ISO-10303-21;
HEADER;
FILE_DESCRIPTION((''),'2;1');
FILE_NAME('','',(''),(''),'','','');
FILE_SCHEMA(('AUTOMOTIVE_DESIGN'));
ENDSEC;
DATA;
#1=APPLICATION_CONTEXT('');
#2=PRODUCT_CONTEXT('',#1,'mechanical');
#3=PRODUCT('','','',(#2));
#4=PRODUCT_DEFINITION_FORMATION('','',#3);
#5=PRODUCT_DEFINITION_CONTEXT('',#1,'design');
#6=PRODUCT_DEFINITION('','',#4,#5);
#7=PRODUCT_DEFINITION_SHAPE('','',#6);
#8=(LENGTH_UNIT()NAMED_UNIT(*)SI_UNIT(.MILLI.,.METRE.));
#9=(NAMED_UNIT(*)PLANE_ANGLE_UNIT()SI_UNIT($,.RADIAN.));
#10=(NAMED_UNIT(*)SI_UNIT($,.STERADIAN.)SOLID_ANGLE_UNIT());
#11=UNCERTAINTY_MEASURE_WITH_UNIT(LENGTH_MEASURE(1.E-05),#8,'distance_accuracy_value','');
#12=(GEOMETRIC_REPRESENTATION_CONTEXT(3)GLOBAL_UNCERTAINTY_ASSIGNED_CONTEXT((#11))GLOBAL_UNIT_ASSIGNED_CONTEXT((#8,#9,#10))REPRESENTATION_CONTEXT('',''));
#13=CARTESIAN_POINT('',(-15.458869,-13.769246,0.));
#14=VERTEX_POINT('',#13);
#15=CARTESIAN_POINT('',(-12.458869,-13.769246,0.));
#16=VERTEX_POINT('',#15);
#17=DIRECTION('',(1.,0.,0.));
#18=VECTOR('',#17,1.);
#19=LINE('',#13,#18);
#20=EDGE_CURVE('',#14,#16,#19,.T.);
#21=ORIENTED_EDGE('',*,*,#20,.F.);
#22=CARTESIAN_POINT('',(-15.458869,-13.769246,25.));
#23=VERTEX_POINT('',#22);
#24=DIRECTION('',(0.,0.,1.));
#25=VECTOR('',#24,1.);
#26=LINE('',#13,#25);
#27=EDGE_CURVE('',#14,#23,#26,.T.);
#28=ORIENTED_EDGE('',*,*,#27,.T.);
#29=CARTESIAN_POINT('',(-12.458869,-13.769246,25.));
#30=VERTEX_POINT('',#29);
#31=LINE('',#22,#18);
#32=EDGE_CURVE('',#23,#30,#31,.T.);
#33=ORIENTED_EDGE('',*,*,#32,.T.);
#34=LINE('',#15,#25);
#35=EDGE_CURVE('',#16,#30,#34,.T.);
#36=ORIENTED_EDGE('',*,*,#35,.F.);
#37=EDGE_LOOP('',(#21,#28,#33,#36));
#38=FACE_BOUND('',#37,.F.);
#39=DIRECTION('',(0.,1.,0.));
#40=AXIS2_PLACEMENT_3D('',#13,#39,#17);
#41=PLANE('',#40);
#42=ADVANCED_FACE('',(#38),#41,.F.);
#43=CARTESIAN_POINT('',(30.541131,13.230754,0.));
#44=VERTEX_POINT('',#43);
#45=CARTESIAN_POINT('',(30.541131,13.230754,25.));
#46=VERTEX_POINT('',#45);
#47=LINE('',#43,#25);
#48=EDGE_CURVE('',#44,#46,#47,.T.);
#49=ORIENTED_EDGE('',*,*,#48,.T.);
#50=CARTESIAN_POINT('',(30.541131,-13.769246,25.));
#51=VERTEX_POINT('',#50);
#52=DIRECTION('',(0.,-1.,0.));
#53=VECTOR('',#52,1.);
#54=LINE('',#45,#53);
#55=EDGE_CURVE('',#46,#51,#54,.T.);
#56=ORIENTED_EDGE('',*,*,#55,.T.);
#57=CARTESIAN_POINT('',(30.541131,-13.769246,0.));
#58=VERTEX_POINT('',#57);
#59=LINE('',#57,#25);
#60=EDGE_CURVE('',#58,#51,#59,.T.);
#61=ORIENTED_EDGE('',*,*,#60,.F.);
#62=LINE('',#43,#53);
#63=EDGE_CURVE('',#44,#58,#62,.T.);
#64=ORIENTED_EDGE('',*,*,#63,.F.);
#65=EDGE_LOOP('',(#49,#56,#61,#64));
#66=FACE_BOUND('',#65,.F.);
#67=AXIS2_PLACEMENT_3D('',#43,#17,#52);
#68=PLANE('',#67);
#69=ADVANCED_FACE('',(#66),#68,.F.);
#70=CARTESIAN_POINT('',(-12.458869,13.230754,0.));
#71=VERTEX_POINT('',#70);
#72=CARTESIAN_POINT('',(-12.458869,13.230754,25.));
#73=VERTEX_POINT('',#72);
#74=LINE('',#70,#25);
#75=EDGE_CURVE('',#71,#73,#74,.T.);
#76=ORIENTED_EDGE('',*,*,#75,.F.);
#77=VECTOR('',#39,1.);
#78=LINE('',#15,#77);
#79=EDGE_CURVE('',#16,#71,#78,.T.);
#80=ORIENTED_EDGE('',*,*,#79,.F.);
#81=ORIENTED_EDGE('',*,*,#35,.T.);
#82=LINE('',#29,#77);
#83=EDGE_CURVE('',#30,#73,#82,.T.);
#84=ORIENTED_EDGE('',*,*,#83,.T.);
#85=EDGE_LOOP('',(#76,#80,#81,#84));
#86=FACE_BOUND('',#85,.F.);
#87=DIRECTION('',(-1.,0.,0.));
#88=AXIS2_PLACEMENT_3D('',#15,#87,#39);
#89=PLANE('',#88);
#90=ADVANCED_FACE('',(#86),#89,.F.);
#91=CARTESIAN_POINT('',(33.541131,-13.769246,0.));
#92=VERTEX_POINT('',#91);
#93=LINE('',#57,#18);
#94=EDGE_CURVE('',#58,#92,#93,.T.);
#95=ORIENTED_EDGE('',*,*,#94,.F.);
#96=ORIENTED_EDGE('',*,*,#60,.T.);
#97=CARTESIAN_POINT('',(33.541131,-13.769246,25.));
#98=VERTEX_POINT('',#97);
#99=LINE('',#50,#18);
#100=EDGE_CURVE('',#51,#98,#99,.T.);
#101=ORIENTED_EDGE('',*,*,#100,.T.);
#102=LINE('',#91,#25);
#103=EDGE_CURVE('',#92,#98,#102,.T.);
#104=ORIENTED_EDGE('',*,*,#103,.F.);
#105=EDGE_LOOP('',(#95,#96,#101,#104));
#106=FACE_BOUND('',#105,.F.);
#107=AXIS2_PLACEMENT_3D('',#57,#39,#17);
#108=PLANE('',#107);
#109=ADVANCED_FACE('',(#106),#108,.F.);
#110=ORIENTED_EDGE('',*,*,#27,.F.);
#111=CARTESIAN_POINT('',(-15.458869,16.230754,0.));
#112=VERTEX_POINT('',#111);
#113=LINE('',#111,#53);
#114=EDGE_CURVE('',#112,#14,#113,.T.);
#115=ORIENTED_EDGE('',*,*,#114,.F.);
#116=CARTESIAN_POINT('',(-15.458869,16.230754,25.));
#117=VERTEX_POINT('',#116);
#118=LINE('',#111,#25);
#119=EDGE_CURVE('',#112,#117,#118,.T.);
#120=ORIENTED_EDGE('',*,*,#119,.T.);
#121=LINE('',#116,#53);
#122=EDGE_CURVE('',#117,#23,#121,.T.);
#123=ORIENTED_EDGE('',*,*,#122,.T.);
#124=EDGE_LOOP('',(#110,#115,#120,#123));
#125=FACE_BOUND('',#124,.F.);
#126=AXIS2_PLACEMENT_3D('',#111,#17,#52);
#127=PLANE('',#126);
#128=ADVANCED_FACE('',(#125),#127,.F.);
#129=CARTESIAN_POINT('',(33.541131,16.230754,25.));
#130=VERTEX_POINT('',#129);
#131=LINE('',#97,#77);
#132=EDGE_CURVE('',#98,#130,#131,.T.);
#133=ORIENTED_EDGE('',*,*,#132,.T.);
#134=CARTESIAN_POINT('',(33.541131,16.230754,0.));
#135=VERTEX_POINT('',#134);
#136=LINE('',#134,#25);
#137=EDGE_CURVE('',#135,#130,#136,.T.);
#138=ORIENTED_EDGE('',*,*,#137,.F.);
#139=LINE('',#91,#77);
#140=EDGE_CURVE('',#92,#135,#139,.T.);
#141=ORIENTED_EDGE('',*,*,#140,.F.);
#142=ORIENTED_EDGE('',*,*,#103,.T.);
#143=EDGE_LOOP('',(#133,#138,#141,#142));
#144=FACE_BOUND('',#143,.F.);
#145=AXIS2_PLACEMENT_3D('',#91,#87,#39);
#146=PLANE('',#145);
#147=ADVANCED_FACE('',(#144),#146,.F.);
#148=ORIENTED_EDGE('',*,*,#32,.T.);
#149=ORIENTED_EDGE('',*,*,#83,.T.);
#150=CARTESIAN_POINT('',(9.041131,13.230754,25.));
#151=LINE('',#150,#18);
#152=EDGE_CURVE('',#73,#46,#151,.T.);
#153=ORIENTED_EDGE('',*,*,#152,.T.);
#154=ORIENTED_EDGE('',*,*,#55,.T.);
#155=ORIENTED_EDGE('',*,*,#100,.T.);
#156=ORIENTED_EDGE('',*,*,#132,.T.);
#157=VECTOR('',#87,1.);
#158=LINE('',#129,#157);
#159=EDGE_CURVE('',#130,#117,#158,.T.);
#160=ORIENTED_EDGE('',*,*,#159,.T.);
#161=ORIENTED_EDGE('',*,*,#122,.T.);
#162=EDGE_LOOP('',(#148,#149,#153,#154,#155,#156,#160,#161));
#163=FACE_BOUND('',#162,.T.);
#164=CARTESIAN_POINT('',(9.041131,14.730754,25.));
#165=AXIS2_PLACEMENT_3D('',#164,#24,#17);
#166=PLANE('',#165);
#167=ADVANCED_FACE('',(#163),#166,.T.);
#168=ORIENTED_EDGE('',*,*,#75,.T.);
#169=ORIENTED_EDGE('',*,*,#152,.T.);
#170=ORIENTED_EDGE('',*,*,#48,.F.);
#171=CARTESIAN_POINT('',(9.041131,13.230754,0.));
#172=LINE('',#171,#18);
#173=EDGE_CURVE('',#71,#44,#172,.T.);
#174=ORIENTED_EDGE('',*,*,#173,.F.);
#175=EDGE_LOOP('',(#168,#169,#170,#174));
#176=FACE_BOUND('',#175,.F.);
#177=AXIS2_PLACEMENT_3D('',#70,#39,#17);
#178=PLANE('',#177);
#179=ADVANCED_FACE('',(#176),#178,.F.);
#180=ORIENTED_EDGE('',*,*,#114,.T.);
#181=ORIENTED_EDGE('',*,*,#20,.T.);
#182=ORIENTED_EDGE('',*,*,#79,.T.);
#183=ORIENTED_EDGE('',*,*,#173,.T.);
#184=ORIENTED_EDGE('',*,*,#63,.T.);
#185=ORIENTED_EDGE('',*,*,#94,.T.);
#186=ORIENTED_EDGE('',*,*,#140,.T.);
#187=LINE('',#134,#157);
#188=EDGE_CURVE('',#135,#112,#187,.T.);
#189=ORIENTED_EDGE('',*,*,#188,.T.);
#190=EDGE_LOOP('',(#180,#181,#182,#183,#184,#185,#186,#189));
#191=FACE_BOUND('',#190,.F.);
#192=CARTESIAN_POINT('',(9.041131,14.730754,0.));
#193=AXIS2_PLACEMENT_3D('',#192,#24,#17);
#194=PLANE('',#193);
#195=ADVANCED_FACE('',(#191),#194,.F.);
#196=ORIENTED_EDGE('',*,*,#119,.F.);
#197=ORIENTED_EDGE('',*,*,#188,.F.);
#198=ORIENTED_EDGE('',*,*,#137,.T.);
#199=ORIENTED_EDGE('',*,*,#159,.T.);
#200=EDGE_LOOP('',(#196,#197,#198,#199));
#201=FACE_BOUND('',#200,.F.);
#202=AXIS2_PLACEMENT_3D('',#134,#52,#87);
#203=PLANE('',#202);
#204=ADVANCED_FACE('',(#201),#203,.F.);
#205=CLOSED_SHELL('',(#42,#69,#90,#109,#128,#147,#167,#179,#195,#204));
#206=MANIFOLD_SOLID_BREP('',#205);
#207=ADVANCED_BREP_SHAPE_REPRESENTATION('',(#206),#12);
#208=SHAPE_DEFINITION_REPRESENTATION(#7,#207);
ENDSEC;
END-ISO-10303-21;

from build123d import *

# Parameters (mm, degrees)
F0_W     = 43
F0_H     = 3
F1_DEPTH = 25


with BuildPart() as f1:
    # F0 (on Top) → F1 (new body)
    with BuildSketch(Plane.XY):
        with Locations((9.041131, 14.730754)):
            Rectangle(F0_W, F0_H)
        Polygon((-12.458869, 13.230754), (-12.458869, 16.230754), (-15.458869, 16.230754), (-15.458869, -13.769246), (-12.458869, -13.769246), align=None)
        Polygon((33.541131, 16.230754), (30.541131, 16.230754), (30.541131, 13.230754), (30.541131, -13.769246), (33.541131, -13.769246), align=None)
    extrude(amount=F1_DEPTH)


solid = f1.part
